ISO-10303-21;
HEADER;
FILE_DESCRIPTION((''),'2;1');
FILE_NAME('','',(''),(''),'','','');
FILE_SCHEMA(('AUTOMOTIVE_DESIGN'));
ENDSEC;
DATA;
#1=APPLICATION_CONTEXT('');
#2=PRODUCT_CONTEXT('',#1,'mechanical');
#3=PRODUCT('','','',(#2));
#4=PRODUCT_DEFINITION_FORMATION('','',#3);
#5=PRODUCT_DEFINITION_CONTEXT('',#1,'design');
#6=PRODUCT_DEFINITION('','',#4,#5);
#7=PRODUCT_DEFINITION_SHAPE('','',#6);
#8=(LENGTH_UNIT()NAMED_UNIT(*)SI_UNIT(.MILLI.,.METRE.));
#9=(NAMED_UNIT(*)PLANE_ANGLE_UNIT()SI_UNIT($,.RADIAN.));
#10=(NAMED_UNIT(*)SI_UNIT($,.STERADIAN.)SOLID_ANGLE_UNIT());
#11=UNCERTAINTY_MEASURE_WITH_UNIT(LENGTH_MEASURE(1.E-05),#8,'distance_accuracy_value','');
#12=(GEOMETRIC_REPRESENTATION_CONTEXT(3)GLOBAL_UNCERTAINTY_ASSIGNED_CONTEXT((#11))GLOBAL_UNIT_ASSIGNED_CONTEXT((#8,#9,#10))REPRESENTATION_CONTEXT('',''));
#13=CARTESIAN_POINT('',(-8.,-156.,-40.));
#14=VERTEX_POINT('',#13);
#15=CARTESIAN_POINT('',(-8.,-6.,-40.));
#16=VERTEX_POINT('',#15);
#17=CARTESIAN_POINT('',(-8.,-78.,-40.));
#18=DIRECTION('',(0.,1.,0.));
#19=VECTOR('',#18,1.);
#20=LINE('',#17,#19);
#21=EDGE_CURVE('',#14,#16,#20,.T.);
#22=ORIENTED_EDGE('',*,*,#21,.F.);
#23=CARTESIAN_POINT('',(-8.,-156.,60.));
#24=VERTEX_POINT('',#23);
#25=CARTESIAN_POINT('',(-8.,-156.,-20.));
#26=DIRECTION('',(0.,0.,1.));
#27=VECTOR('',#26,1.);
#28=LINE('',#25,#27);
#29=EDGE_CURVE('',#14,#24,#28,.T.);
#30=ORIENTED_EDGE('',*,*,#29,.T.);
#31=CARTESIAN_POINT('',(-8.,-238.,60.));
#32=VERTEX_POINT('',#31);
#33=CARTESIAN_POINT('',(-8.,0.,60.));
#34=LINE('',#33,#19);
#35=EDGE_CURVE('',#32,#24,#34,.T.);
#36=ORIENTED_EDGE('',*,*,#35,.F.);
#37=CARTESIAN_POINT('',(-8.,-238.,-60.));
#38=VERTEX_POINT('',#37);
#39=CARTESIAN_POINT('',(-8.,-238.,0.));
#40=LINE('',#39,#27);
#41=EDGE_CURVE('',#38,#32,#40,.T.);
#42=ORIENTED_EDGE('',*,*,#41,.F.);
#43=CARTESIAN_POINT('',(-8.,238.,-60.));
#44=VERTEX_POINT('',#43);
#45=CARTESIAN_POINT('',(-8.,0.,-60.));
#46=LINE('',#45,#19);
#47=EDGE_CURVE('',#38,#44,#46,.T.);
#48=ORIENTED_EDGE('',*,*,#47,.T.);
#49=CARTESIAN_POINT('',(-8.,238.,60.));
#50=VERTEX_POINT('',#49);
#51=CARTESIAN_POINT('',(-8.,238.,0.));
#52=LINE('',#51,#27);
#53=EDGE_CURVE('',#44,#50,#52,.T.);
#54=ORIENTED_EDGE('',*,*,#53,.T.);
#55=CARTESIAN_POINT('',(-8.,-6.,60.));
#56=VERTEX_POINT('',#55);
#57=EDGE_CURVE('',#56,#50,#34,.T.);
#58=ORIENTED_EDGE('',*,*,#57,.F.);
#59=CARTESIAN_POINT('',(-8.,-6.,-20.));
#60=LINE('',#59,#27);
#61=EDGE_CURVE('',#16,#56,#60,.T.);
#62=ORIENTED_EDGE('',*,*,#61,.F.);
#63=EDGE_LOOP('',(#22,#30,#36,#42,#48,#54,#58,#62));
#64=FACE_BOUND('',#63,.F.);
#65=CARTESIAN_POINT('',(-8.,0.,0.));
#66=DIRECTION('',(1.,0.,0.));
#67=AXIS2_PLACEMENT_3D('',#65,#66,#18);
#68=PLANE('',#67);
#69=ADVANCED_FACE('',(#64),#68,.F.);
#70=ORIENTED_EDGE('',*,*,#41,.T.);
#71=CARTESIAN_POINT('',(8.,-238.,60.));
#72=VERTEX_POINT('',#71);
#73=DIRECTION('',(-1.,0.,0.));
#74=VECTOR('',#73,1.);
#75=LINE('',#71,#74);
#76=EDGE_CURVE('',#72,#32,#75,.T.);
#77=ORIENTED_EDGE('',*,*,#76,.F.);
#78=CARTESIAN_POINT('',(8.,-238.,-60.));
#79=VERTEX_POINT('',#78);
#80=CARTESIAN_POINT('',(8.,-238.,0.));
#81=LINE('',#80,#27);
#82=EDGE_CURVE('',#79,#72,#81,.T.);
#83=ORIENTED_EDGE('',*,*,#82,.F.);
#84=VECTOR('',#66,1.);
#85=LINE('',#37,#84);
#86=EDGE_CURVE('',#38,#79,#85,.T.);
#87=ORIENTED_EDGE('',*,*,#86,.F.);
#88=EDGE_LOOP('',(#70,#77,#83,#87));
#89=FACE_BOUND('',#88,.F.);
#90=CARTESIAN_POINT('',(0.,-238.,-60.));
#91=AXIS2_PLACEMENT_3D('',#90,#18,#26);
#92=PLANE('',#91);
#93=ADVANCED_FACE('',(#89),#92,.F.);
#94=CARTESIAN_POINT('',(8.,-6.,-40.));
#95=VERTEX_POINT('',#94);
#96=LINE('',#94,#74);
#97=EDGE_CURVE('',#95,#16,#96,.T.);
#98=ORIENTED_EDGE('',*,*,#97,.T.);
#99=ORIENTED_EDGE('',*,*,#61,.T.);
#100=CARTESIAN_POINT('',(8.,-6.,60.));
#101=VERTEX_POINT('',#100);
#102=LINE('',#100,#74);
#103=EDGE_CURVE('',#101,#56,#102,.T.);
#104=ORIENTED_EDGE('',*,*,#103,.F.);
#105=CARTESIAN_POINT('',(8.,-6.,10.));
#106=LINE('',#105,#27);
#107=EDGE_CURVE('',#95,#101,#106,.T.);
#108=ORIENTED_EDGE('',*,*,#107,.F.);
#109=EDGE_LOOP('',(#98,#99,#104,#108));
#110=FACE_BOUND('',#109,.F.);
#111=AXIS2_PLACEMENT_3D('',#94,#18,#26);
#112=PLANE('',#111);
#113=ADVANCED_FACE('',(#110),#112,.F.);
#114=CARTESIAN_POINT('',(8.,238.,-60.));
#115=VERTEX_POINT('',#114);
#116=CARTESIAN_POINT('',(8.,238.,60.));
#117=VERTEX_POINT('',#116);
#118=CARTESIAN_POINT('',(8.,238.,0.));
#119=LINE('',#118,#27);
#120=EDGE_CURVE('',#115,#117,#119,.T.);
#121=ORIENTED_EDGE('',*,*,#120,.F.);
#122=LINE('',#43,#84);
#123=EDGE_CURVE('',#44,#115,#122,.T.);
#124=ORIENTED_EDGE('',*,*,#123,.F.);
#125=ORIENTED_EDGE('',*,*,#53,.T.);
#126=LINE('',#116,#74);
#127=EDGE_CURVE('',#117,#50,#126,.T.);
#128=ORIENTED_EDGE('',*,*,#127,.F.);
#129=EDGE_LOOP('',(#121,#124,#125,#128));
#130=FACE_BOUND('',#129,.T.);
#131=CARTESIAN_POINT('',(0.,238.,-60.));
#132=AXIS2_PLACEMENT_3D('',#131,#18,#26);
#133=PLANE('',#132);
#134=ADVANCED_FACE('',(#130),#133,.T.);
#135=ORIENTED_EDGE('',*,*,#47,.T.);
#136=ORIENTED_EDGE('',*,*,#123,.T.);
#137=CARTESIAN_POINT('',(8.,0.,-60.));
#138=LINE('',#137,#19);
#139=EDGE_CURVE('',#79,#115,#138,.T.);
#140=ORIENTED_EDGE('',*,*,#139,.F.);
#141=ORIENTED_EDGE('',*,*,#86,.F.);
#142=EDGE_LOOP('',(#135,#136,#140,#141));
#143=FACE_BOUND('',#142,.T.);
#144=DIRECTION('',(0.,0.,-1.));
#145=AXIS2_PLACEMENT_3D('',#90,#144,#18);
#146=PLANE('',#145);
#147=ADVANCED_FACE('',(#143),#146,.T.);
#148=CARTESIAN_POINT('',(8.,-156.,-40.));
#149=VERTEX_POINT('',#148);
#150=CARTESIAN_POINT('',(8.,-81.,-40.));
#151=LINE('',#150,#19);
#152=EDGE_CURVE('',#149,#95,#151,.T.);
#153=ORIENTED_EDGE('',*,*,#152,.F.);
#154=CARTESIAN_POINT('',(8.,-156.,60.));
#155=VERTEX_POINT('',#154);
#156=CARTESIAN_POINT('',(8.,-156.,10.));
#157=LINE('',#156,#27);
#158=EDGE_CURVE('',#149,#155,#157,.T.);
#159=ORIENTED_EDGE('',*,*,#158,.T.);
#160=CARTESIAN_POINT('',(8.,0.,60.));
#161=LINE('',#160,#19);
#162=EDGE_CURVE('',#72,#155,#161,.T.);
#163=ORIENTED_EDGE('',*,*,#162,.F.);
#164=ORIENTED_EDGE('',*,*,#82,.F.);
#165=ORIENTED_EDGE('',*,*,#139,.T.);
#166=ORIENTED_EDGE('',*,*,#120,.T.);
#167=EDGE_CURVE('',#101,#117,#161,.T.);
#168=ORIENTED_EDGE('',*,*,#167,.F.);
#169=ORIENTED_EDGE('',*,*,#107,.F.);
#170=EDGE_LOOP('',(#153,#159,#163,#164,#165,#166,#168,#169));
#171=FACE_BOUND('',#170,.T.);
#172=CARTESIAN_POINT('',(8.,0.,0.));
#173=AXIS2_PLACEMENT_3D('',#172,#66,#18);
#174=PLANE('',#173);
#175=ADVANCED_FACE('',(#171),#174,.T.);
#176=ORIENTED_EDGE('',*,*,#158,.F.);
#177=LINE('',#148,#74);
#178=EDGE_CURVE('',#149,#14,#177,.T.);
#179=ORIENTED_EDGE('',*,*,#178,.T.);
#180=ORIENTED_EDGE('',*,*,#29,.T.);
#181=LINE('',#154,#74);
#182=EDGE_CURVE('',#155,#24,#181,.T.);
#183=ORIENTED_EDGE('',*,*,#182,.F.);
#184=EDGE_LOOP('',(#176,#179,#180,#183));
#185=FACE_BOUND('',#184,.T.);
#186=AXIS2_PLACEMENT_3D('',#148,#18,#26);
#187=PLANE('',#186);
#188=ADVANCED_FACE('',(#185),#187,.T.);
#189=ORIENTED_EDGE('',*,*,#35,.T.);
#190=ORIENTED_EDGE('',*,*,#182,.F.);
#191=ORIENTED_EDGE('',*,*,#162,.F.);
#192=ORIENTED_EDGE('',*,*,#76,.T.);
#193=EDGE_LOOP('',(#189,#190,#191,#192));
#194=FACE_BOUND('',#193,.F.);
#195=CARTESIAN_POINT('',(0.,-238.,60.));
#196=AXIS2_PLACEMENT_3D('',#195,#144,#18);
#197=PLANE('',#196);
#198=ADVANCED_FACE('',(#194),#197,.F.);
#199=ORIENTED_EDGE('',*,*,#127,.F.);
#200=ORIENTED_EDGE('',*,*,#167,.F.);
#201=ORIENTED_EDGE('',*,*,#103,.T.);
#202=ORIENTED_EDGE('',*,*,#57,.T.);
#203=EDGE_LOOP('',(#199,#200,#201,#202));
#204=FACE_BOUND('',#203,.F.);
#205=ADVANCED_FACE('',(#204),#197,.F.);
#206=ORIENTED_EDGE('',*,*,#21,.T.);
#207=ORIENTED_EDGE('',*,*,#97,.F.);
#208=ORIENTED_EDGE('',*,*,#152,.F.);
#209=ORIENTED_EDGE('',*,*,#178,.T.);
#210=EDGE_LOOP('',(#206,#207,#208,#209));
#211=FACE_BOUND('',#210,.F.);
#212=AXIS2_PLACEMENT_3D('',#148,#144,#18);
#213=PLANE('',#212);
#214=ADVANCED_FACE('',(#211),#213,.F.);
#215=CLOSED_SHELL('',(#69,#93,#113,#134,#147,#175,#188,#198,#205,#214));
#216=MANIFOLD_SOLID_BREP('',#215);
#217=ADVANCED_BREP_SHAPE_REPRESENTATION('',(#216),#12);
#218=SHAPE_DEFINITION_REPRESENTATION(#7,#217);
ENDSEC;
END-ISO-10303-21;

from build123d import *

# Parameters (mm, degrees)
F0_W     = 476
F0_H     = 120
F1_DEPTH = 8
F2_W     = 150
F2_H     = 100
F3_DEPTH = 16.001


with BuildPart() as f1:
    # F0 (on Right) → F1 (new body, symmetric)
    with BuildSketch(Plane.YZ):
        Rectangle(F0_W, F0_H)
    extrude(amount=F1_DEPTH, both=True)

    # F2 (on face) → F3 (cut, through all)
    with BuildSketch(Plane.YZ.offset(8)):
        with Locations((-81, 10)):
            Rectangle(F2_W, F2_H)
    extrude(amount=-F3_DEPTH, mode=Mode.SUBTRACT)


solid = f1.part
